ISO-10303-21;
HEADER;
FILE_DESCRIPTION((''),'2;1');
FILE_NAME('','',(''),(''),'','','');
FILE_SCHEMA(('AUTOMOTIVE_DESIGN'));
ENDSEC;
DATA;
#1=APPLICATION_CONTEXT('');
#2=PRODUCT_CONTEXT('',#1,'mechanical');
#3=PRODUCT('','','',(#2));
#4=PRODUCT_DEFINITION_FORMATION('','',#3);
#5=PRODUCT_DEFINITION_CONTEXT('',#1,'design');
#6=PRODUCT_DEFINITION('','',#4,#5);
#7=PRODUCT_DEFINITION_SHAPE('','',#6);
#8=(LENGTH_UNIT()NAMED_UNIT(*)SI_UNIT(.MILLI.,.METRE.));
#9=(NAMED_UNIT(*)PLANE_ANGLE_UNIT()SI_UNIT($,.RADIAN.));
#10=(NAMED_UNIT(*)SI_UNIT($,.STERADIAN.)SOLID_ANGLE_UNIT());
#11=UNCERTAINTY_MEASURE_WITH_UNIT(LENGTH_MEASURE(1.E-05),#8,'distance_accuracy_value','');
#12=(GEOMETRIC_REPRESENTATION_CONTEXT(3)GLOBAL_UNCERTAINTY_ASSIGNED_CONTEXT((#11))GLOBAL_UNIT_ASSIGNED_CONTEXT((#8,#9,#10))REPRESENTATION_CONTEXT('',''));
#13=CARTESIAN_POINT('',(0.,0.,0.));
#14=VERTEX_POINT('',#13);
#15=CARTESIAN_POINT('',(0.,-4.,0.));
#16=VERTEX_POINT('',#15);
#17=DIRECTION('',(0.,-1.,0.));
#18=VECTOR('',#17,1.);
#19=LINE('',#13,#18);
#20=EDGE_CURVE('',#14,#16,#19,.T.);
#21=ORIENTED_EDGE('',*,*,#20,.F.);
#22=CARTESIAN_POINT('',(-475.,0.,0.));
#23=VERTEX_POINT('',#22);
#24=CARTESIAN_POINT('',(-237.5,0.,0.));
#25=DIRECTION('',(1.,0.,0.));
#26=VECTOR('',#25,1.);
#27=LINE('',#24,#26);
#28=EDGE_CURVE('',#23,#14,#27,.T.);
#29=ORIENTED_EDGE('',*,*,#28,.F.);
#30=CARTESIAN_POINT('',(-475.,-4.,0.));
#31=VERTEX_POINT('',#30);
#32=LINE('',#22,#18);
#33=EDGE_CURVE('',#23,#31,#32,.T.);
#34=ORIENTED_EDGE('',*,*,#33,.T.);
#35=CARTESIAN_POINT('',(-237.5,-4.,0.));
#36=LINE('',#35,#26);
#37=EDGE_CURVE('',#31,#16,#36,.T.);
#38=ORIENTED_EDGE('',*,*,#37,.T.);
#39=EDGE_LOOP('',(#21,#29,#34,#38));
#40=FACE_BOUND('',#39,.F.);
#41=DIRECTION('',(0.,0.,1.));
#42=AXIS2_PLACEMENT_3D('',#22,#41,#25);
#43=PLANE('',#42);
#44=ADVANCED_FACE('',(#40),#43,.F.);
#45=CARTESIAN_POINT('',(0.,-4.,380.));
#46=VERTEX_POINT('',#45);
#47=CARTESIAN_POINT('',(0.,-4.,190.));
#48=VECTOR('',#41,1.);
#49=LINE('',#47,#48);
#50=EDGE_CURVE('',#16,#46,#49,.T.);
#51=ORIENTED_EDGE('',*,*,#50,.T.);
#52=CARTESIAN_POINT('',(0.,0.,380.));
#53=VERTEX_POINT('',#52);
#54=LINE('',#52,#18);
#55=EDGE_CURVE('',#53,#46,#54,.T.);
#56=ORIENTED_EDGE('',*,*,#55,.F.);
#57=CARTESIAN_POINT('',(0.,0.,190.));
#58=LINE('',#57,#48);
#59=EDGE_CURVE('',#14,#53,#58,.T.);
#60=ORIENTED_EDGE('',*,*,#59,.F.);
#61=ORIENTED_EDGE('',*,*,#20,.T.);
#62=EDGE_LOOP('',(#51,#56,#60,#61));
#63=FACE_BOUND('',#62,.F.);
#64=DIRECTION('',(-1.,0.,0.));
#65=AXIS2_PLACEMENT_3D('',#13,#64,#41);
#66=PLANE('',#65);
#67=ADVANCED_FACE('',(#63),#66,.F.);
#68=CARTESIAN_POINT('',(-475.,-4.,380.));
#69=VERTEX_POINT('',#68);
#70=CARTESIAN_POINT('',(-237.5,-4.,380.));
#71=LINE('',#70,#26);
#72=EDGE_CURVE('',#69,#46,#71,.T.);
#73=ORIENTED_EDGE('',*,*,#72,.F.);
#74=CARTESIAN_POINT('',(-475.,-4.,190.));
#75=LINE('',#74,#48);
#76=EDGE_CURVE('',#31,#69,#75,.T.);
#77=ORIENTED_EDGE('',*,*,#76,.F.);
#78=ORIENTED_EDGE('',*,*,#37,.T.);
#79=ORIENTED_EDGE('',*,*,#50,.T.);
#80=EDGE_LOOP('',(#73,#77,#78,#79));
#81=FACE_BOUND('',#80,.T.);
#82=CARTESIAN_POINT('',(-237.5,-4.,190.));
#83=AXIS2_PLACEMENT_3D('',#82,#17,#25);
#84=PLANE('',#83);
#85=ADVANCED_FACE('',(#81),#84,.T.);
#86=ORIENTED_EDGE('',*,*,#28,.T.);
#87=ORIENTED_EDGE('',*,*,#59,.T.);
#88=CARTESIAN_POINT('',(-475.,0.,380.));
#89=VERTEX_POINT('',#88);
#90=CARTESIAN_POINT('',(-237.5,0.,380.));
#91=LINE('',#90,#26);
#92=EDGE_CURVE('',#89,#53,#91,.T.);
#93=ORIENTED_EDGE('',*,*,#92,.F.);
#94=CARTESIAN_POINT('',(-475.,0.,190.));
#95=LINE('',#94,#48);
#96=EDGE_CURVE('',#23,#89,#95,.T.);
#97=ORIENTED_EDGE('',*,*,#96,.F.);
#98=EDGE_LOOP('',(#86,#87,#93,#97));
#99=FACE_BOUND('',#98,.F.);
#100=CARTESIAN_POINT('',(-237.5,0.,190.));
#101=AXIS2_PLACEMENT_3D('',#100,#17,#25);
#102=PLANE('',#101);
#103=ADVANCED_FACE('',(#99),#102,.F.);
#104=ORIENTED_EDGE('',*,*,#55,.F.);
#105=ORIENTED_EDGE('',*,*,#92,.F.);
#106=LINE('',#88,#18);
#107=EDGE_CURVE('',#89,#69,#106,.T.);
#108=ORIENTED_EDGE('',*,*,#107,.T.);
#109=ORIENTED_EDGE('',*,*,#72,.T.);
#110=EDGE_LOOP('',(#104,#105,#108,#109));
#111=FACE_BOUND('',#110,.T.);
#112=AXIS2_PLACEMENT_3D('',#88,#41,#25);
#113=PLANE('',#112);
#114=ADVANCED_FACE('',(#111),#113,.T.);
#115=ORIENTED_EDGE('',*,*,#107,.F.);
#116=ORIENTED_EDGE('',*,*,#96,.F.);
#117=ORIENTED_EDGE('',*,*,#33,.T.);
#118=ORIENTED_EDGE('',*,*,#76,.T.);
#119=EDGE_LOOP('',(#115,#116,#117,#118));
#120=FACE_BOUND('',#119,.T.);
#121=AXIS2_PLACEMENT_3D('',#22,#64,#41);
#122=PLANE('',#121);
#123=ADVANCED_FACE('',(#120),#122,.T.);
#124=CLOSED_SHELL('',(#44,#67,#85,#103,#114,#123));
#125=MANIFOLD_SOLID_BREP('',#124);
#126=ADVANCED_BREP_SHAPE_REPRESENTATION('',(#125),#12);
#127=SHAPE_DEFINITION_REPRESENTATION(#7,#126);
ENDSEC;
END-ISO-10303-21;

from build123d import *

# Parameters (mm, degrees)
SKETCH_W  = 475
SKETCH_H  = 380
PAD_DEPTH = 4


with BuildPart() as part:
    # Sketch → Pad (new body)
    with BuildSketch(Plane.XZ):
        with Locations((-237.5, 190)):
            Rectangle(SKETCH_W, SKETCH_H)
    extrude(amount=PAD_DEPTH)


solid = part.part
